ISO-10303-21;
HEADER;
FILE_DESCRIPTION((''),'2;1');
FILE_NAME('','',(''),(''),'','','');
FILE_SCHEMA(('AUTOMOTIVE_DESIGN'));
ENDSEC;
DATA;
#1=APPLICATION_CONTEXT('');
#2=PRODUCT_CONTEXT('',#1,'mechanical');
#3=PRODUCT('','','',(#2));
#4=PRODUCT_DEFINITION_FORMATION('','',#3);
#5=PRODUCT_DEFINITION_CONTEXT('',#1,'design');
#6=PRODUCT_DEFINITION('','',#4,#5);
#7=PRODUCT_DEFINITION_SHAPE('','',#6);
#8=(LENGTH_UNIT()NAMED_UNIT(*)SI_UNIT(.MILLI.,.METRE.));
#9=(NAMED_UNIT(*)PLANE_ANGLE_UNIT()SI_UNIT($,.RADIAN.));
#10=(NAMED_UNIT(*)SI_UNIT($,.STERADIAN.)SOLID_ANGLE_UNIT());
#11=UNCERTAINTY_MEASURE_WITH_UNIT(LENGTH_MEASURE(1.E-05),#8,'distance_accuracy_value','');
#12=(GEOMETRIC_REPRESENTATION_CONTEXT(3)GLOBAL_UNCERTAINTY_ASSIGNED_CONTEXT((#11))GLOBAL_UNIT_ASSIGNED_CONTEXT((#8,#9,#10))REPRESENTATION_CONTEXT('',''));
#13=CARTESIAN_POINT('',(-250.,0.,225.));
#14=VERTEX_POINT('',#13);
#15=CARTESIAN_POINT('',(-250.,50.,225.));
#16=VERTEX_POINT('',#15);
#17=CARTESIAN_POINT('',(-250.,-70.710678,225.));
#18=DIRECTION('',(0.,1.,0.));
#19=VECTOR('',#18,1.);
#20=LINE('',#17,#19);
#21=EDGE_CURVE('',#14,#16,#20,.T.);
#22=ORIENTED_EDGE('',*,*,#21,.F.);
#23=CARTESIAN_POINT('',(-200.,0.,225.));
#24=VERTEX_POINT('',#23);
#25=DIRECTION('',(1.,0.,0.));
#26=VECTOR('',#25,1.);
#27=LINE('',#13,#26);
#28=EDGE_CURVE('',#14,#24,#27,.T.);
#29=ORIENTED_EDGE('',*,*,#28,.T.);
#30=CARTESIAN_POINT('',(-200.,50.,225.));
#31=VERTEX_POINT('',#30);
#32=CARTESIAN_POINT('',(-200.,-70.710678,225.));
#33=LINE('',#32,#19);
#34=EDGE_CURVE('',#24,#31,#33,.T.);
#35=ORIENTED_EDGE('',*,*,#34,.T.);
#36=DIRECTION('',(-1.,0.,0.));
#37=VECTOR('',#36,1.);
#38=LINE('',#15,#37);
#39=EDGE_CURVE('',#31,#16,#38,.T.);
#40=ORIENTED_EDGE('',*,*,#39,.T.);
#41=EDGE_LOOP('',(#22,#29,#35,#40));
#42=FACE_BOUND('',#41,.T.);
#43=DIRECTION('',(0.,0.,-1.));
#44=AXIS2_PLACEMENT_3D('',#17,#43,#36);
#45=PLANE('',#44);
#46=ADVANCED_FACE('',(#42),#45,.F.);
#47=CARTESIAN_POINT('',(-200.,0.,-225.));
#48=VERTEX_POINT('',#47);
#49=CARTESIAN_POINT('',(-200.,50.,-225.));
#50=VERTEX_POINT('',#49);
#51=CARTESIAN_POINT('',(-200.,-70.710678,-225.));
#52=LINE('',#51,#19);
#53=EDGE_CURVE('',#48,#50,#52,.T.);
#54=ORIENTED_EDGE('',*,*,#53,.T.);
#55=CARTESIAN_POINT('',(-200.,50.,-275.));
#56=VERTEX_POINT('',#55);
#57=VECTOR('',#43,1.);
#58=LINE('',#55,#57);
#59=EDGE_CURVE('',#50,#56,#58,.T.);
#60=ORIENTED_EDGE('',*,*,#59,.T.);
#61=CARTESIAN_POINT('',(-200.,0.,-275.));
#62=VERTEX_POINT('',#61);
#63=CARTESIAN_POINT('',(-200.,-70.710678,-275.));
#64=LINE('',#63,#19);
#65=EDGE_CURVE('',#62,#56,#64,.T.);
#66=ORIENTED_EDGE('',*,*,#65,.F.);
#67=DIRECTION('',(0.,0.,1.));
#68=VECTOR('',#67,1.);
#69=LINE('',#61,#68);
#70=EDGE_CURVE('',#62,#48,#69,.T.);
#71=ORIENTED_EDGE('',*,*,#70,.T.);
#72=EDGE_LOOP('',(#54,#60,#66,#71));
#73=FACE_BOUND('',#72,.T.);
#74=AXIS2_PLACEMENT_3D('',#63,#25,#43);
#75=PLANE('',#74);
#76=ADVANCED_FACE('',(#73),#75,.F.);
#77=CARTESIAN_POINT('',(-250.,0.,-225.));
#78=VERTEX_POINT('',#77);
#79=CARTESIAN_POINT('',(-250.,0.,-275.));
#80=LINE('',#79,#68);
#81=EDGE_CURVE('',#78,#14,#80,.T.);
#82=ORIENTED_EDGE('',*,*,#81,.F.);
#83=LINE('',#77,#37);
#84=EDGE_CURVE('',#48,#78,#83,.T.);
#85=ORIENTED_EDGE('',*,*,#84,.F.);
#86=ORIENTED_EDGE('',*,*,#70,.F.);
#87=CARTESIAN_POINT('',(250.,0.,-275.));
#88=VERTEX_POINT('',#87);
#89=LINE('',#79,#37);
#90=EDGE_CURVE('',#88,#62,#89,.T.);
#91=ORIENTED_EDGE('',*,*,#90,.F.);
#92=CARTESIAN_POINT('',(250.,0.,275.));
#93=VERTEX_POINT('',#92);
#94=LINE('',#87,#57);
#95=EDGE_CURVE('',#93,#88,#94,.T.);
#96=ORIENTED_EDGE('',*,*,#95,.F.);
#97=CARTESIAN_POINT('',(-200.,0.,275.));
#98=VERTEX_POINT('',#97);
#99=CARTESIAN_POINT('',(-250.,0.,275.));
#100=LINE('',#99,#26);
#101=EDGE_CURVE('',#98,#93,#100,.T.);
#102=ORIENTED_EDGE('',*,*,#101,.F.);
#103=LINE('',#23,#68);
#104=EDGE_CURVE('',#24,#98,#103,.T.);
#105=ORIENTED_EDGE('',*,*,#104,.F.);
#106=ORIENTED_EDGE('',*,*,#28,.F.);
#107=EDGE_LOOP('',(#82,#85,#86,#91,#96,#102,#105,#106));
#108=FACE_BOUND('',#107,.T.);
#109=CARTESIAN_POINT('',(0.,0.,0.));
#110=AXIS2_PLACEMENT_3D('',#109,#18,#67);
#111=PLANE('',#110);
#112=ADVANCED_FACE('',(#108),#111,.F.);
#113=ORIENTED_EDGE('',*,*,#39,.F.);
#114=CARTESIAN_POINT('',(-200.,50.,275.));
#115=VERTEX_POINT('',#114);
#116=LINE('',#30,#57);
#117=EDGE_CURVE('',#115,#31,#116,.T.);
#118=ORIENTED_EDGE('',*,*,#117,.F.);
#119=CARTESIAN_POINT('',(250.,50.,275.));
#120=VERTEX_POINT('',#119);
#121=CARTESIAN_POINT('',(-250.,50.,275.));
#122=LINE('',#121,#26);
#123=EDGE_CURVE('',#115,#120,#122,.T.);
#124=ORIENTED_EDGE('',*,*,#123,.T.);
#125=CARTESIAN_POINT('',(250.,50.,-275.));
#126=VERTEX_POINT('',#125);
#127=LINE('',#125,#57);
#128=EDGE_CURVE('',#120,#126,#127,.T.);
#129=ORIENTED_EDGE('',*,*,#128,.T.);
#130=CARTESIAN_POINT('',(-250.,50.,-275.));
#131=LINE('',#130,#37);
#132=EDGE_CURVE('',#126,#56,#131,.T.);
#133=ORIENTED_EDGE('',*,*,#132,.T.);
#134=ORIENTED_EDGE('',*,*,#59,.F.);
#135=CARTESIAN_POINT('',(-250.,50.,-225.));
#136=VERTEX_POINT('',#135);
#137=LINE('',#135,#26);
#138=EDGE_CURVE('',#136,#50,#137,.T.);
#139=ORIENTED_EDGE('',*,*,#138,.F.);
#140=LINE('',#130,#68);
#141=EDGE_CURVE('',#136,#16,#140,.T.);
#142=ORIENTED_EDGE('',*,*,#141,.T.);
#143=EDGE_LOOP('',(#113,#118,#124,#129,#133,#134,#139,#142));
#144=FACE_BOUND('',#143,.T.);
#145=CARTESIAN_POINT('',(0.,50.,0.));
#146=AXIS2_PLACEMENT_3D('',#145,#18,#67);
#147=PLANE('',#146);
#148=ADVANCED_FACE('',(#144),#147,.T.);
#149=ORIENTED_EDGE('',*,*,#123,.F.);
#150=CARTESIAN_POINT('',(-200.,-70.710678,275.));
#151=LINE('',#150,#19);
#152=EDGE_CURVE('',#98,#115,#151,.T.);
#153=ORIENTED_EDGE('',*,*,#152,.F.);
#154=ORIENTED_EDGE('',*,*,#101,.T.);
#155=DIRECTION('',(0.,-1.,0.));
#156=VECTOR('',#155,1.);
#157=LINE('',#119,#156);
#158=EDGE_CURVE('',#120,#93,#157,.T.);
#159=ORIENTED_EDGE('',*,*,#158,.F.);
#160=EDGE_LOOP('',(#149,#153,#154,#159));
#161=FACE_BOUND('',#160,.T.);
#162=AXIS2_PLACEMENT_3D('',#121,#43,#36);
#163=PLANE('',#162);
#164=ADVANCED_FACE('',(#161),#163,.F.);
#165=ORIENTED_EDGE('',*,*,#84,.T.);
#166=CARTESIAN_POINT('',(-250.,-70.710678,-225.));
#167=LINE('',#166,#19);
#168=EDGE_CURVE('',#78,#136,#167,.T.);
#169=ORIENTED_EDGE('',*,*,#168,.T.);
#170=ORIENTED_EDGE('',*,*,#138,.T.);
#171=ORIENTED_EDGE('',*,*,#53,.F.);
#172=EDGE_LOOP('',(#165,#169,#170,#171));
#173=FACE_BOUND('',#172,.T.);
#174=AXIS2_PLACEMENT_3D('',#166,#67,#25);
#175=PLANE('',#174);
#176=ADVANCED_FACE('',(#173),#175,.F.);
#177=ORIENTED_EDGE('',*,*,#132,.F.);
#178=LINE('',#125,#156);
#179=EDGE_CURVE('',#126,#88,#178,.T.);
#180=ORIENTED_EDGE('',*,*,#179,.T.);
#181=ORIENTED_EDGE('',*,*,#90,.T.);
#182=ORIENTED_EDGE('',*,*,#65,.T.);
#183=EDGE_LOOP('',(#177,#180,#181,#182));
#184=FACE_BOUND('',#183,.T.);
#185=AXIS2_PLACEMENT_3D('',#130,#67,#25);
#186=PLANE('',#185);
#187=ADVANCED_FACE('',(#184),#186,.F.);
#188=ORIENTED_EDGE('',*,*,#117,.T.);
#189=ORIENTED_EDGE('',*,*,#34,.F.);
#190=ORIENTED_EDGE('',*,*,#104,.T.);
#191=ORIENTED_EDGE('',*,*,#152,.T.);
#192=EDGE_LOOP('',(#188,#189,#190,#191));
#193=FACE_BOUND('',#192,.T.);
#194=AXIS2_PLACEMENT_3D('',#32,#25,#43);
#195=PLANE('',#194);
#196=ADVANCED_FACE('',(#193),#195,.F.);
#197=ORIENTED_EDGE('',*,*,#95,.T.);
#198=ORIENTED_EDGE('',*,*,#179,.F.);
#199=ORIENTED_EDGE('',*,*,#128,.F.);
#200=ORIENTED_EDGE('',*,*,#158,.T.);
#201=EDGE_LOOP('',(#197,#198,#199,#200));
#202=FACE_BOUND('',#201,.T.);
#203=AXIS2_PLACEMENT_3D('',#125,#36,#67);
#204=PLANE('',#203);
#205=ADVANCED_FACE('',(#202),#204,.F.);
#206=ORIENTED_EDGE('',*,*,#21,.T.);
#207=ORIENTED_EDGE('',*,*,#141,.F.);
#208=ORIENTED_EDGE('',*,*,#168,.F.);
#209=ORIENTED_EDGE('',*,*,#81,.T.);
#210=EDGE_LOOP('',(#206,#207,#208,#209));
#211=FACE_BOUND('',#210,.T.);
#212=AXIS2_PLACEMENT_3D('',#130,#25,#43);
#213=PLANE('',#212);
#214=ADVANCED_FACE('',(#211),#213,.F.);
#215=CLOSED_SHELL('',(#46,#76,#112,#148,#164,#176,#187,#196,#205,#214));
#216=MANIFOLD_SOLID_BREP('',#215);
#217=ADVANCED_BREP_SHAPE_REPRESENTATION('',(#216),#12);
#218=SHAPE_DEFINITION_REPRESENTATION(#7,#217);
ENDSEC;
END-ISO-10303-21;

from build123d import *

# Parameters (mm, degrees)
CROQUIS1_W              = 500
CROQUIS1_H              = 550
SALIENTE_EXTRUIR1_DEPTH = 50
CROQUIS2_W              = 50
CROQUIS2_H              = 50
CORTAR_EXTRUIR1_DEPTH   = 50
MATRIZL1_COUNT          = 2
MATRIZL1_PITCH          = 500


with BuildPart() as part:
    # Croquis1 → Saliente-Extruir1 (new body)
    with BuildSketch(Plane(origin=(0, 0, 0), x_dir=(1, 0, 0), z_dir=(0, 1, 0))):
        Rectangle(CROQUIS1_W, CROQUIS1_H)
    extrude(amount=SALIENTE_EXTRUIR1_DEPTH)

    # Croquis2 → Cortar-Extruir1 (cut)
    with BuildSketch(Plane(origin=(0, 50, 0), x_dir=(1, 0, 0), z_dir=(0, 1, 0))):
        with Locations((-225, 250)):
            Rectangle(CROQUIS2_W, CROQUIS2_H)
    cortar_extruir1 = extrude(amount=-CORTAR_EXTRUIR1_DEPTH, mode=Mode.SUBTRACT)

    # MatrizL1: Cortar-Extruir1 ×2
    with Locations(*[(0, 0, i * MATRIZL1_PITCH) for i in range(1, MATRIZL1_COUNT)]):
        add(cortar_extruir1, mode=Mode.SUBTRACT)


solid = part.part
